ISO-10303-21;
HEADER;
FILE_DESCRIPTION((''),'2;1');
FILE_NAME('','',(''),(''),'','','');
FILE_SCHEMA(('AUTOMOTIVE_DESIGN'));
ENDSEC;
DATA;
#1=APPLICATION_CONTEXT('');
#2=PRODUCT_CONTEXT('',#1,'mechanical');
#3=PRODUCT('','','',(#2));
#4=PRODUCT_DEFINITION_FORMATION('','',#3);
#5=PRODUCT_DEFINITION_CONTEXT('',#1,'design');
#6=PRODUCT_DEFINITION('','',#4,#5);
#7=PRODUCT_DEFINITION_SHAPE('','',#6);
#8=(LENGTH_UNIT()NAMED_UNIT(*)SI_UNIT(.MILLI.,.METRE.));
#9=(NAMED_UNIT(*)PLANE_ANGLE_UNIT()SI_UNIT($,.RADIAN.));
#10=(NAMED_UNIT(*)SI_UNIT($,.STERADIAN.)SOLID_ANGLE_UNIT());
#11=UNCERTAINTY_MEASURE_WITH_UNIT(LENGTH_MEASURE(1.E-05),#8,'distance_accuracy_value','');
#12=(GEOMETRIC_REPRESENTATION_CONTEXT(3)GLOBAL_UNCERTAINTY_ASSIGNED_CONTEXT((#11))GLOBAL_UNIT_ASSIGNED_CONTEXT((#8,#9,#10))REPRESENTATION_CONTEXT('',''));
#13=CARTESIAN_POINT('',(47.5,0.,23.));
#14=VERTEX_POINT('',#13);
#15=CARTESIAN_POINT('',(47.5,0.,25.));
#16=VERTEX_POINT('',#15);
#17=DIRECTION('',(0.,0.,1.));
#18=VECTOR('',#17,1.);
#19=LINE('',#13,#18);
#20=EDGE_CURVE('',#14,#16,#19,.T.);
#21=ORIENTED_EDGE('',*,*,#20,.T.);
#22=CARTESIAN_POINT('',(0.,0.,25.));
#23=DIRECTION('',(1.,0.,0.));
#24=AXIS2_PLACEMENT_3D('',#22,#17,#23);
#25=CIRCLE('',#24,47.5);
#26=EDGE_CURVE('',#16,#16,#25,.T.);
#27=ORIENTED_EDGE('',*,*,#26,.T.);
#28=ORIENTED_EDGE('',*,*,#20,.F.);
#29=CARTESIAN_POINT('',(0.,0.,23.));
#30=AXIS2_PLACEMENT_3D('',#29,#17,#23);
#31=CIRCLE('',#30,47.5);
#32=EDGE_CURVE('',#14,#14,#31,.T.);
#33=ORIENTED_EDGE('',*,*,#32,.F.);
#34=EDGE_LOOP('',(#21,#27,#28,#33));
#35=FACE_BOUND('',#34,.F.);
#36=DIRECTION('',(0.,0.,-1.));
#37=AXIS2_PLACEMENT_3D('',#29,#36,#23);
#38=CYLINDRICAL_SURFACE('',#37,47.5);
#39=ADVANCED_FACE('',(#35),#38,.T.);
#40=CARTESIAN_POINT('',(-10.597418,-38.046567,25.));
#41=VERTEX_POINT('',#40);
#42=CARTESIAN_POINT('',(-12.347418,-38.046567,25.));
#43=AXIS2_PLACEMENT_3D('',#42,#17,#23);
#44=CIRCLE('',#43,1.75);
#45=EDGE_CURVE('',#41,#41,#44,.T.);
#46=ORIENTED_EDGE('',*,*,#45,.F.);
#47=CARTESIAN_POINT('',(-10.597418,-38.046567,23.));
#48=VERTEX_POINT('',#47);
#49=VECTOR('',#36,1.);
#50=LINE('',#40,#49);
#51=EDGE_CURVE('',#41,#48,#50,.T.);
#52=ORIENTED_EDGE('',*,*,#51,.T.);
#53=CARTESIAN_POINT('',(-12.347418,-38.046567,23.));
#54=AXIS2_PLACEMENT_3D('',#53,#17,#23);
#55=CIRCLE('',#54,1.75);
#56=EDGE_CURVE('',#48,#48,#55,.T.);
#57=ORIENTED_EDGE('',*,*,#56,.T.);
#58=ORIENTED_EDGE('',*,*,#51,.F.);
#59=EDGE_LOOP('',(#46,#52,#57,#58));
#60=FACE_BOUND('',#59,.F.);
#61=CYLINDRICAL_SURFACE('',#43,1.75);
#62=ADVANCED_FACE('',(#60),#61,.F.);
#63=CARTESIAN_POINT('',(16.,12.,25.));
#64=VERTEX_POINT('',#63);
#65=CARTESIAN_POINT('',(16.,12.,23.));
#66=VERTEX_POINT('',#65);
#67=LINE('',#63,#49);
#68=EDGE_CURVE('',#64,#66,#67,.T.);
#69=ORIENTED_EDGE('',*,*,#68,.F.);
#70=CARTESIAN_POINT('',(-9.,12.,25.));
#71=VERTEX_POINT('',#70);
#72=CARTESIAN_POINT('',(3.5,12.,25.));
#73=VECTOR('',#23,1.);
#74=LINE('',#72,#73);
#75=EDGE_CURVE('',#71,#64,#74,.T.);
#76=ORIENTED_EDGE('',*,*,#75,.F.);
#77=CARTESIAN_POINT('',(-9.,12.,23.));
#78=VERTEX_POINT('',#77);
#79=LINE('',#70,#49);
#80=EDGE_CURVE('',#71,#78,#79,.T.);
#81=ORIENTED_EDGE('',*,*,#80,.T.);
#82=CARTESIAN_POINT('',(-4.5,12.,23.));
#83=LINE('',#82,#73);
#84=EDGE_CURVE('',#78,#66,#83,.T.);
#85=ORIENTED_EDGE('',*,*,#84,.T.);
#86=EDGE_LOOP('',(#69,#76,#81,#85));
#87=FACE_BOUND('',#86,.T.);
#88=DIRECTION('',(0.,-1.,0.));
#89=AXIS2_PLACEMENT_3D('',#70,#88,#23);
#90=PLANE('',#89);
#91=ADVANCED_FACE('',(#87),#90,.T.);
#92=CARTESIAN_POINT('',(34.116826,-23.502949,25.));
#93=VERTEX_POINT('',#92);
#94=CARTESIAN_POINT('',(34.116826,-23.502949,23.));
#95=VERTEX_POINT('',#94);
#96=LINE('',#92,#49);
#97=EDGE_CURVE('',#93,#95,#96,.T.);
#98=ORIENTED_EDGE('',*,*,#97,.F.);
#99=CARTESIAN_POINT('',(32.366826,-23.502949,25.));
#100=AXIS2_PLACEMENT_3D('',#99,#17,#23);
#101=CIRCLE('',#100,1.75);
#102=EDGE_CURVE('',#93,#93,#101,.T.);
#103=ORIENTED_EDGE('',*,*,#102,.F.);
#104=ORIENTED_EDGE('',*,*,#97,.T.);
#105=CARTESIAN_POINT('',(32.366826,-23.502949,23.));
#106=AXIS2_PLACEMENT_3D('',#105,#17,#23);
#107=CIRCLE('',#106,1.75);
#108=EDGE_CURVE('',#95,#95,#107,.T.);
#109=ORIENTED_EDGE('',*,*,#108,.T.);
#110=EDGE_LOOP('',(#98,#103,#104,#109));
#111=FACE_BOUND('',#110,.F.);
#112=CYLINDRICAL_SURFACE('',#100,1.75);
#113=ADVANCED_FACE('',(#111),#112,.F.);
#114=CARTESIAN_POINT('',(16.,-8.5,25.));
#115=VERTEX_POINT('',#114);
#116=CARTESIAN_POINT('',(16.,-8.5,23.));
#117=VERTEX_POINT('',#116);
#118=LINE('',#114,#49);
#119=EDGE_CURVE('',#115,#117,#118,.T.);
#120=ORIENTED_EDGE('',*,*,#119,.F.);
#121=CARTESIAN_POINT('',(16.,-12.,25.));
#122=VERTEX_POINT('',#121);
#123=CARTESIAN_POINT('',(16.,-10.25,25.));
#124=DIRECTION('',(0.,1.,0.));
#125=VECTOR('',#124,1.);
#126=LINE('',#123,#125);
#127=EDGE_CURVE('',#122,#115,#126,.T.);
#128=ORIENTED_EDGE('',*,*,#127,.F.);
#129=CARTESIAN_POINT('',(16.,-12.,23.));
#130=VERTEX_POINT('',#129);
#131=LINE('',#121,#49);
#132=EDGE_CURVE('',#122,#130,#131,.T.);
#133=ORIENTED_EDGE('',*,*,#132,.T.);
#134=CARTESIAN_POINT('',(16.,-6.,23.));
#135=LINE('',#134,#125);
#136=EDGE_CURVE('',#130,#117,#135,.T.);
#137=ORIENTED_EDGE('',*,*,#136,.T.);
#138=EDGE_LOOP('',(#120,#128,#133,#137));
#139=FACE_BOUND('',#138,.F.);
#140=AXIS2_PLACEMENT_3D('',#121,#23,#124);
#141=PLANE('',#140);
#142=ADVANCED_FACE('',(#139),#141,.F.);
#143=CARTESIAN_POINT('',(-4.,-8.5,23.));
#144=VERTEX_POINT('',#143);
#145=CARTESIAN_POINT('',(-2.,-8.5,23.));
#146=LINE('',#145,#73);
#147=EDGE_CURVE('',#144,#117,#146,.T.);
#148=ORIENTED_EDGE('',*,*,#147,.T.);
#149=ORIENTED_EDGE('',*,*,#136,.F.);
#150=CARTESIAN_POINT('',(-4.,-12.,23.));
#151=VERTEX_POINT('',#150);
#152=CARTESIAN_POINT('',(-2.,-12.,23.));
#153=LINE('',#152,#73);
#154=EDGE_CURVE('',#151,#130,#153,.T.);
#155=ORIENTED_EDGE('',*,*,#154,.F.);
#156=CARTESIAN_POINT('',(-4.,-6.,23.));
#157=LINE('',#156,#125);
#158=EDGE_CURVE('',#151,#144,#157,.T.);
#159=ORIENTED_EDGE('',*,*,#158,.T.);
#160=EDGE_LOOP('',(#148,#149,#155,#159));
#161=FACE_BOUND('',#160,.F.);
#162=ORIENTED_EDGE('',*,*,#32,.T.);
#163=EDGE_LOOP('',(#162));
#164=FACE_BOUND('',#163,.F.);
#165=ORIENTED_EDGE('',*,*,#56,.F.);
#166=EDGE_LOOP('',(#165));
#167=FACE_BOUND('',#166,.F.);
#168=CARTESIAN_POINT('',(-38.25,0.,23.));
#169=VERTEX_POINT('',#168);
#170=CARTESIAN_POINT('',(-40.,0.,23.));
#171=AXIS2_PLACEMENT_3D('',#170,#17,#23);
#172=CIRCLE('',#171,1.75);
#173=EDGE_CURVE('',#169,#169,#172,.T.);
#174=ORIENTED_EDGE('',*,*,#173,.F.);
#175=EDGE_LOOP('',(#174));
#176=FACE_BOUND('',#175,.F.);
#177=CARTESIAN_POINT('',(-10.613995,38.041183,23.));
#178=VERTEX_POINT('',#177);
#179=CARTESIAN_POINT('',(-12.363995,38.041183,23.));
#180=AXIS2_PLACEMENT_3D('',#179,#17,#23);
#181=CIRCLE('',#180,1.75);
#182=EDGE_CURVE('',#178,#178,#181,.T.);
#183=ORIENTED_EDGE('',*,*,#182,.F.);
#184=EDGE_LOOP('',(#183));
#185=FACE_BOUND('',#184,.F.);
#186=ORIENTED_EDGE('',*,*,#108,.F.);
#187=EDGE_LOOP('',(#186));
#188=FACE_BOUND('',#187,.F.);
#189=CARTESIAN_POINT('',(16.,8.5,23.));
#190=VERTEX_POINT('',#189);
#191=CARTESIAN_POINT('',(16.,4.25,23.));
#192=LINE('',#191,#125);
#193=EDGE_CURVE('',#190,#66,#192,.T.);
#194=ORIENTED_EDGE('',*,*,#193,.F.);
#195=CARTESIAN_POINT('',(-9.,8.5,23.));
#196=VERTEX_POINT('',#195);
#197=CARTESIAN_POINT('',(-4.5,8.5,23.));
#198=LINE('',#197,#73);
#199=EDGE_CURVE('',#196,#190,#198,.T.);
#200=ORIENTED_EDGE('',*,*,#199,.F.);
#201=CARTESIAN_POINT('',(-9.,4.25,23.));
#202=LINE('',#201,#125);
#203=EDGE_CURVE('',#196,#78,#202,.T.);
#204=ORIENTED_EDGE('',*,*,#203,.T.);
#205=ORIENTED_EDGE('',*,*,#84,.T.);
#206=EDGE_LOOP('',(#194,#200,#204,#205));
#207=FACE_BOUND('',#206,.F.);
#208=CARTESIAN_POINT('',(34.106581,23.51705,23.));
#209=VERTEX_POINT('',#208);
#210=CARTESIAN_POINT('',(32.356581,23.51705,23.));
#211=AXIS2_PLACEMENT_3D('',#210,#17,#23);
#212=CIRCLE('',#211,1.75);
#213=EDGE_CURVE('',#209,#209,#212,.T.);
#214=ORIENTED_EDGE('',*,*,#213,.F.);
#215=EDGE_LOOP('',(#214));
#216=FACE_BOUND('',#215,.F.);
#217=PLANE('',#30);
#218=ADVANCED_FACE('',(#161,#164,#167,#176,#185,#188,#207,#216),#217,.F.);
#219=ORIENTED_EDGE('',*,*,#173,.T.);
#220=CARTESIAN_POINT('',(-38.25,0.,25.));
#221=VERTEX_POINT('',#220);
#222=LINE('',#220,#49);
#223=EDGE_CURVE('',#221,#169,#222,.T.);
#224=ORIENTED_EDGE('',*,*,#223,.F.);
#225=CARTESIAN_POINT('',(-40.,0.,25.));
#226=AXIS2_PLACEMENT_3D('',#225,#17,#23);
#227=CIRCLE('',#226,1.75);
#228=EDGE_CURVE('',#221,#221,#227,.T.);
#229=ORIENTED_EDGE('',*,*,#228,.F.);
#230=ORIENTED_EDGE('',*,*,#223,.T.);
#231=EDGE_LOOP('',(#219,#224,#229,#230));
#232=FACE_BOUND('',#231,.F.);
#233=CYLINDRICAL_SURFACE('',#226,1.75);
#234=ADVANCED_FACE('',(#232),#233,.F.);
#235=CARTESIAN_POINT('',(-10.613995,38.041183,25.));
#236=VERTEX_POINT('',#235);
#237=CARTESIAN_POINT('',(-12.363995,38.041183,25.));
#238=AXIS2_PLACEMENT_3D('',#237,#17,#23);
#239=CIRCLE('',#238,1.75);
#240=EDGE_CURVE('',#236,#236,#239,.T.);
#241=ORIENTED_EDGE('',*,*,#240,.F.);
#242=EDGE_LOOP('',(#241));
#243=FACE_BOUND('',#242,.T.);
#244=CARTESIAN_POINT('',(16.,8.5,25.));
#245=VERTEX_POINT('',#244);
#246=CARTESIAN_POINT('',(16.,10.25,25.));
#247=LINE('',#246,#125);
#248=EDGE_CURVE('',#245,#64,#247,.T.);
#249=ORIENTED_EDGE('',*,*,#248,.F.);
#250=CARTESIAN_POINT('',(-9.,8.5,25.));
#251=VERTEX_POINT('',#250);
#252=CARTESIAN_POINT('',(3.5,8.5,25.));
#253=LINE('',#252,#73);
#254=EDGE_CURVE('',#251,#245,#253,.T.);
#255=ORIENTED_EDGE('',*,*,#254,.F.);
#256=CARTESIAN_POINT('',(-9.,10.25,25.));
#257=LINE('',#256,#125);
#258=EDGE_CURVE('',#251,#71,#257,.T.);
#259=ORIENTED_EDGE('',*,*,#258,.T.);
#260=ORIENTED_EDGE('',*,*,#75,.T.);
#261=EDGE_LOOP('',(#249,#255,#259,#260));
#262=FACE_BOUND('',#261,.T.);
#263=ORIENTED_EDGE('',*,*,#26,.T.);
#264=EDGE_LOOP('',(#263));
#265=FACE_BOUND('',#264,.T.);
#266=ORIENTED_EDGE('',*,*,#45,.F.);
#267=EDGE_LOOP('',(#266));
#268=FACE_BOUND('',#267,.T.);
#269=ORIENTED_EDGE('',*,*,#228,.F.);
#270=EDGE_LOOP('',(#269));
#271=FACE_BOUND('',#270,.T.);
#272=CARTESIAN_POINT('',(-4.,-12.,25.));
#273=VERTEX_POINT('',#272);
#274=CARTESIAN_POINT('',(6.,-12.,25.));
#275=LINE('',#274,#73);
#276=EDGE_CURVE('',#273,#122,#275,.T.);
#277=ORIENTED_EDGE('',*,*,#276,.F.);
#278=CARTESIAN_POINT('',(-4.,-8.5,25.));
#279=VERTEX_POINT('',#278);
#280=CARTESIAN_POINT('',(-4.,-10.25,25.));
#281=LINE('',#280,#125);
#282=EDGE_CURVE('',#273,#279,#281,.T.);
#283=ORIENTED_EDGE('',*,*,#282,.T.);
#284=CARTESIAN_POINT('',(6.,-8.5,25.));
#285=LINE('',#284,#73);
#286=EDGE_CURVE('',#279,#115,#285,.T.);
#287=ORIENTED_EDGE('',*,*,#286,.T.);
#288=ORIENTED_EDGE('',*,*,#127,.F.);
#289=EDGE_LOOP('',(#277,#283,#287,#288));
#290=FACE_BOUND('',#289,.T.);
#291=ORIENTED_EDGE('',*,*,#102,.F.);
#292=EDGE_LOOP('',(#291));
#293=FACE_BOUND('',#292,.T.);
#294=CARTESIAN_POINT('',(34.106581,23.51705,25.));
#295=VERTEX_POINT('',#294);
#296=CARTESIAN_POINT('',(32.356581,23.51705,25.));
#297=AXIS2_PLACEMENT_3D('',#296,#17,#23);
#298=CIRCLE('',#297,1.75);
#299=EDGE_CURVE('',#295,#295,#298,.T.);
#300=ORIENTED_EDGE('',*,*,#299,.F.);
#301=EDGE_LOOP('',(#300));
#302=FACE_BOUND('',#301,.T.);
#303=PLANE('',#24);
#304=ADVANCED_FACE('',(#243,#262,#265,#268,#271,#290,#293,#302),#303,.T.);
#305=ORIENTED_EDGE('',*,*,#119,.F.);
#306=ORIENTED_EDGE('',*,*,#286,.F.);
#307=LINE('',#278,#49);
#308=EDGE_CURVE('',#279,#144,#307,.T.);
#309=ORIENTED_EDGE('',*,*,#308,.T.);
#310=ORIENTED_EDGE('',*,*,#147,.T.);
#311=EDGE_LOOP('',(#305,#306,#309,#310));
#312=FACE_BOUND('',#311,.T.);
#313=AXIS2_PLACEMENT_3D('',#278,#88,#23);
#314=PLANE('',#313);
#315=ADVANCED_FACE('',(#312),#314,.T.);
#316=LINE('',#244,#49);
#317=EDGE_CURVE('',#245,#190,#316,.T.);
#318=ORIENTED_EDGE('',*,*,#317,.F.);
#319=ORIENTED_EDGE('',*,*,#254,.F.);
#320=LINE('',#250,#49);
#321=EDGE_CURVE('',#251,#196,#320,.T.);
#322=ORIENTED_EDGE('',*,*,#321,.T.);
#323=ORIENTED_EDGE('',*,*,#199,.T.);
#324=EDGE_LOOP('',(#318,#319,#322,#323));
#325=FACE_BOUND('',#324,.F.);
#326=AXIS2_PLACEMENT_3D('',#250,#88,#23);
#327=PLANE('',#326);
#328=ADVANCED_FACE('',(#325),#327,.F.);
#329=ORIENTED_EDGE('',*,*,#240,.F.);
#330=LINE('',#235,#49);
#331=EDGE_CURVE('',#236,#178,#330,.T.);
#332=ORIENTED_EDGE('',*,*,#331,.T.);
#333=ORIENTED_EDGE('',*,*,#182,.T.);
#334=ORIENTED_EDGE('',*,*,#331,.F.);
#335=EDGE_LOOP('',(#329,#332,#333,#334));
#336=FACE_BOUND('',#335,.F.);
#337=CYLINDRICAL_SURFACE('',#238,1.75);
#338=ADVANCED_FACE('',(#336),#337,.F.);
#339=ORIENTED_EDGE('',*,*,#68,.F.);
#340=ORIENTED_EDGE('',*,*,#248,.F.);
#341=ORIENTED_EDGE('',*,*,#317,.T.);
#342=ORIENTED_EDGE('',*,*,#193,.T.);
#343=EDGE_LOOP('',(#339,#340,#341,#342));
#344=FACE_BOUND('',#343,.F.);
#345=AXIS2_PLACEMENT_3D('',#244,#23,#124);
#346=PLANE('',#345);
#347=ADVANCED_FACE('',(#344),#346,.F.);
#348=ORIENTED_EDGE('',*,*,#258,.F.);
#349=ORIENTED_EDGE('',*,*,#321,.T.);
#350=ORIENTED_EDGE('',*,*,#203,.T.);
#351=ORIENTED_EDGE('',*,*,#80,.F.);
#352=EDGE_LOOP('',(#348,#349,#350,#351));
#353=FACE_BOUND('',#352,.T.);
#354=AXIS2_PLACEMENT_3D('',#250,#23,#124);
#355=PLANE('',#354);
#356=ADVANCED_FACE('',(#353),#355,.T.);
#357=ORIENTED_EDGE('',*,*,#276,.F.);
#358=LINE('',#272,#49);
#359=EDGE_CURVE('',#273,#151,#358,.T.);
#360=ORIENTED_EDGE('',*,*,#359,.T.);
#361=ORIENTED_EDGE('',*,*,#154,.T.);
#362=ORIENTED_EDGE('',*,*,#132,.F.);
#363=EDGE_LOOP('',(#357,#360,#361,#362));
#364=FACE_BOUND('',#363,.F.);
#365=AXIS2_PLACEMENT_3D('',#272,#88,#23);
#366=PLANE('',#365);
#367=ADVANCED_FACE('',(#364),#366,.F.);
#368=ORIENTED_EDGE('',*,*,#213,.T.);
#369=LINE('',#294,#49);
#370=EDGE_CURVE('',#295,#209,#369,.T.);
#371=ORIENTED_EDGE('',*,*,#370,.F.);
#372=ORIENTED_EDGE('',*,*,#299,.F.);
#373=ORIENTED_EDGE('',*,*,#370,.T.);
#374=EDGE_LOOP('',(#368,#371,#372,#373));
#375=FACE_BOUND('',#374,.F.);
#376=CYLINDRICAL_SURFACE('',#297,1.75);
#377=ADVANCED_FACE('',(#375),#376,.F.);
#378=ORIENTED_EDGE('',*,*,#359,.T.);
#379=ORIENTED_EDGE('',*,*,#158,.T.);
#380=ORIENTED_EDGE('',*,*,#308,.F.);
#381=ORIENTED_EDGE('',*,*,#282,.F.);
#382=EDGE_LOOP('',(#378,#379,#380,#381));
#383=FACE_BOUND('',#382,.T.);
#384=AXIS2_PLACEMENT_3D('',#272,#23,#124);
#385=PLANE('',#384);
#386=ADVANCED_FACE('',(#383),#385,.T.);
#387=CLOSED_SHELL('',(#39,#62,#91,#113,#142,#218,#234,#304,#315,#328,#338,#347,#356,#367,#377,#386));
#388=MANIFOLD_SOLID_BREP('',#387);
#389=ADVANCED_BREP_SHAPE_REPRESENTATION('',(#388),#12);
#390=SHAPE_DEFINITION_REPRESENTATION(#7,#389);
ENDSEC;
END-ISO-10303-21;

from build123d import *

# Parameters (mm, degrees)
SKETCH003_R     = 47.5
PAD001_DEPTH    = 2
SKETCH012_R     = 1.75
POCKET005_DEPTH = 5
SKETCH021_W     = 25
SKETCH021_H     = 3.5
SKETCH021_W_2   = 20
POCKET013_DEPTH = 5


with BuildPart() as part:
    # Sketch003 → Pad001 (new body)
    with BuildSketch(Plane.XY):
        Circle(SKETCH003_R)
    extrude(amount=PAD001_DEPTH)

    # Sketch012 (on Face3 of Pad001) → Pocket005 (cut)
    with BuildSketch(Plane.XY.offset(2)):
        with Locations((-12.363995, 38.041183)):
            Circle(SKETCH012_R)
        with Locations((-12.347418, -38.046567)):
            Circle(SKETCH012_R)
        with Locations((-40, 0)):
            Circle(SKETCH012_R)
        with Locations((32.356581, 23.51705)):
            Circle(SKETCH012_R)
        with Locations((32.366826, -23.502949)):
            Circle(SKETCH012_R)
    extrude(amount=-POCKET005_DEPTH, mode=Mode.SUBTRACT)

    # Sketch021 (on Face3 of Pocket005) → Pocket013 (cut)
    with BuildSketch(Plane.XY.offset(2)):
        with Locations((3.5, 10.25)):
            Rectangle(SKETCH021_W, SKETCH021_H)
        with Locations((6, -10.25)):
            Rectangle(SKETCH021_W_2, SKETCH021_H)
    extrude(amount=-POCKET013_DEPTH, mode=Mode.SUBTRACT)


with BuildPart() as part_1:
    # Body001 placement: moved
    add(part.part.moved(Location((0, 0, 23))))


solid = part_1.part
